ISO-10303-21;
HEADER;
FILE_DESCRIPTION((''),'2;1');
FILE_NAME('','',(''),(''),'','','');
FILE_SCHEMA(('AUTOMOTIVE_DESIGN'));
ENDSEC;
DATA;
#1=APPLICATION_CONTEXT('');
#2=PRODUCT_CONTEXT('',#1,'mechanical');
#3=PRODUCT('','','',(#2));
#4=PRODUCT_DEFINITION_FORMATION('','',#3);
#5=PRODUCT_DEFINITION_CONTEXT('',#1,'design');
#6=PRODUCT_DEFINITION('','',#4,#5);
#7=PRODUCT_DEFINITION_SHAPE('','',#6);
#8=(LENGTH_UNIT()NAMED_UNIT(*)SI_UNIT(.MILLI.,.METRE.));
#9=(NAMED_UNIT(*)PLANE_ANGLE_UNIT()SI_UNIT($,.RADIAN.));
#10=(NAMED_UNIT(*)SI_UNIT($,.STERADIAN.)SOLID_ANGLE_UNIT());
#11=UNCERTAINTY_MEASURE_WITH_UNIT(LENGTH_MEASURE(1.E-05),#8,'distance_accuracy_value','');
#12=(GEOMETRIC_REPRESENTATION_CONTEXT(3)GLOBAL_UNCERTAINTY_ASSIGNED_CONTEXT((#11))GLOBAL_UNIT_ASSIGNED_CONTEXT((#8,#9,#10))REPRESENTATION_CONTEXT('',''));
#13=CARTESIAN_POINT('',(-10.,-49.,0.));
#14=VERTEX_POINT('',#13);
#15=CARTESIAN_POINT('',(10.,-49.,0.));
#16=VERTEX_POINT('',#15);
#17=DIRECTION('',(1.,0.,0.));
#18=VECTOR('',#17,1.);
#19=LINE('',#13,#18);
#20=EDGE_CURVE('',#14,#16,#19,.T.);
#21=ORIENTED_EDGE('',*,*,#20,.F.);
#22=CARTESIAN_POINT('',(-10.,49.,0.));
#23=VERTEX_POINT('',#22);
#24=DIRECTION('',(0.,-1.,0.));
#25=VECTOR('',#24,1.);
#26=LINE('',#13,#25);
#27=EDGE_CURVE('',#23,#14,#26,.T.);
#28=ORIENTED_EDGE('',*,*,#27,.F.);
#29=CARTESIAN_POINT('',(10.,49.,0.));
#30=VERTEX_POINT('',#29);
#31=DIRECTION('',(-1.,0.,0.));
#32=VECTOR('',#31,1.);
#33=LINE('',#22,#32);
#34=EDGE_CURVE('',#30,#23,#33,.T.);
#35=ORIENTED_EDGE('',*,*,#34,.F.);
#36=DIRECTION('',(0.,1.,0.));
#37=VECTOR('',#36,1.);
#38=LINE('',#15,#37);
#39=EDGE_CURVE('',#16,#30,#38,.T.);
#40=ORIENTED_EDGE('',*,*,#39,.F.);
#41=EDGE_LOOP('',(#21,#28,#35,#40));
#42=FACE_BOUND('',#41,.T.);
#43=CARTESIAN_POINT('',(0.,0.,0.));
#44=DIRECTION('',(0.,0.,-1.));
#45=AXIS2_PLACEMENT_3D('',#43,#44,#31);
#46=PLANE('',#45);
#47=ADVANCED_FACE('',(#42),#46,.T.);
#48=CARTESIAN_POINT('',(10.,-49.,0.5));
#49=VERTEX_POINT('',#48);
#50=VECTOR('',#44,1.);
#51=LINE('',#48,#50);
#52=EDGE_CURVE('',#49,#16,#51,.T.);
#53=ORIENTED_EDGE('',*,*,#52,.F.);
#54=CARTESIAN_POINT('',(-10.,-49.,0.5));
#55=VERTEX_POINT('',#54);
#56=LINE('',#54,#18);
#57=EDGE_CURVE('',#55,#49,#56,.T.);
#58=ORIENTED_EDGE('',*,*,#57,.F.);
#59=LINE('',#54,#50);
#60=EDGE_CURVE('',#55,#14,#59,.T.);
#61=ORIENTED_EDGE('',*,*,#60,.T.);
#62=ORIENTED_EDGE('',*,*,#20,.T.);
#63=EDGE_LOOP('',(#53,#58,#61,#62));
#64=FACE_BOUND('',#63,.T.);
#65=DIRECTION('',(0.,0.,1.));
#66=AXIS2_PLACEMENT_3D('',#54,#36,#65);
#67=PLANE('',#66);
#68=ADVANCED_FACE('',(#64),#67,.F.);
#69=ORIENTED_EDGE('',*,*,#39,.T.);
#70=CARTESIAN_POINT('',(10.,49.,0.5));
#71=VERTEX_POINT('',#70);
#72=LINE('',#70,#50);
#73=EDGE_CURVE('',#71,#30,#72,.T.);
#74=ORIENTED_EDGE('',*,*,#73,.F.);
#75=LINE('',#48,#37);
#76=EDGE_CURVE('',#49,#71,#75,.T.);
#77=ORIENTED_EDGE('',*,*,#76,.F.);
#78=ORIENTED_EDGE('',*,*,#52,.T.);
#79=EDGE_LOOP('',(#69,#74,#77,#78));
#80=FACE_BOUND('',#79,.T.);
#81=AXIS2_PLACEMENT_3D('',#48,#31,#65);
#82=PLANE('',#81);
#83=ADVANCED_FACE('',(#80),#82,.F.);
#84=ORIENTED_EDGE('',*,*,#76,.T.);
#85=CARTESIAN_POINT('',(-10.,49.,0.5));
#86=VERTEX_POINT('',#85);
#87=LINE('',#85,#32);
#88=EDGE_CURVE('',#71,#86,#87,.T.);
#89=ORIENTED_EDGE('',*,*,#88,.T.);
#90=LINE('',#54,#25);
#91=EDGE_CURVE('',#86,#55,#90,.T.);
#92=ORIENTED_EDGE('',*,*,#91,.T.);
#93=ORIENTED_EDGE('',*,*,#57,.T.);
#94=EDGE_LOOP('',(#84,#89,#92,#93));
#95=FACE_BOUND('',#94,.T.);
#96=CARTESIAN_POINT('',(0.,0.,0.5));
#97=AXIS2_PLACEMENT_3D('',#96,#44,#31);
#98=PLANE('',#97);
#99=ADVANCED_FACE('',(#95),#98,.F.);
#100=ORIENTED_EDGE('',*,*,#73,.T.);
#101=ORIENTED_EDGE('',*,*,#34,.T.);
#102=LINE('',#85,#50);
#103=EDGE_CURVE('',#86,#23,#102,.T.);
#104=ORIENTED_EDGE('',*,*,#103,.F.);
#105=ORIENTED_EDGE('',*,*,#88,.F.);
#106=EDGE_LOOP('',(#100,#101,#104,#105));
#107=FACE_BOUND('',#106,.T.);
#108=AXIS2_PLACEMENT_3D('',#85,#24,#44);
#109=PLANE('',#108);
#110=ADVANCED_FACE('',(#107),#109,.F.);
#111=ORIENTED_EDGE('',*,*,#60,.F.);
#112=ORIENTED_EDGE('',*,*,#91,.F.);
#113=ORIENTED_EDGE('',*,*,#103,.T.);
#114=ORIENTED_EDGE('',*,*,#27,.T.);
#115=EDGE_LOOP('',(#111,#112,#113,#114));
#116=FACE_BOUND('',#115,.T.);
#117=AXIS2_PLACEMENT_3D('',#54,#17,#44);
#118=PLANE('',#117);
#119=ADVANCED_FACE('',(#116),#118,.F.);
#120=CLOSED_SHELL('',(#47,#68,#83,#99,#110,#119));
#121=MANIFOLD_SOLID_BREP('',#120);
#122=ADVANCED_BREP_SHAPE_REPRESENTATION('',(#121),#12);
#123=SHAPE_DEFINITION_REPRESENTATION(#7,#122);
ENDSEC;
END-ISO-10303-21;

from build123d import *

# Parameters (mm, degrees)
SKETCH_1_W      = 20
SKETCH_1_H      = 98
EXTRUDE_1_DEPTH = 0.5


with BuildPart() as part:
    # 草图1 → 凸台-拉伸1 (new body)
    with BuildSketch(Plane.XY):
        Rectangle(SKETCH_1_W, SKETCH_1_H)
    extrude(amount=EXTRUDE_1_DEPTH)


solid = part.part
